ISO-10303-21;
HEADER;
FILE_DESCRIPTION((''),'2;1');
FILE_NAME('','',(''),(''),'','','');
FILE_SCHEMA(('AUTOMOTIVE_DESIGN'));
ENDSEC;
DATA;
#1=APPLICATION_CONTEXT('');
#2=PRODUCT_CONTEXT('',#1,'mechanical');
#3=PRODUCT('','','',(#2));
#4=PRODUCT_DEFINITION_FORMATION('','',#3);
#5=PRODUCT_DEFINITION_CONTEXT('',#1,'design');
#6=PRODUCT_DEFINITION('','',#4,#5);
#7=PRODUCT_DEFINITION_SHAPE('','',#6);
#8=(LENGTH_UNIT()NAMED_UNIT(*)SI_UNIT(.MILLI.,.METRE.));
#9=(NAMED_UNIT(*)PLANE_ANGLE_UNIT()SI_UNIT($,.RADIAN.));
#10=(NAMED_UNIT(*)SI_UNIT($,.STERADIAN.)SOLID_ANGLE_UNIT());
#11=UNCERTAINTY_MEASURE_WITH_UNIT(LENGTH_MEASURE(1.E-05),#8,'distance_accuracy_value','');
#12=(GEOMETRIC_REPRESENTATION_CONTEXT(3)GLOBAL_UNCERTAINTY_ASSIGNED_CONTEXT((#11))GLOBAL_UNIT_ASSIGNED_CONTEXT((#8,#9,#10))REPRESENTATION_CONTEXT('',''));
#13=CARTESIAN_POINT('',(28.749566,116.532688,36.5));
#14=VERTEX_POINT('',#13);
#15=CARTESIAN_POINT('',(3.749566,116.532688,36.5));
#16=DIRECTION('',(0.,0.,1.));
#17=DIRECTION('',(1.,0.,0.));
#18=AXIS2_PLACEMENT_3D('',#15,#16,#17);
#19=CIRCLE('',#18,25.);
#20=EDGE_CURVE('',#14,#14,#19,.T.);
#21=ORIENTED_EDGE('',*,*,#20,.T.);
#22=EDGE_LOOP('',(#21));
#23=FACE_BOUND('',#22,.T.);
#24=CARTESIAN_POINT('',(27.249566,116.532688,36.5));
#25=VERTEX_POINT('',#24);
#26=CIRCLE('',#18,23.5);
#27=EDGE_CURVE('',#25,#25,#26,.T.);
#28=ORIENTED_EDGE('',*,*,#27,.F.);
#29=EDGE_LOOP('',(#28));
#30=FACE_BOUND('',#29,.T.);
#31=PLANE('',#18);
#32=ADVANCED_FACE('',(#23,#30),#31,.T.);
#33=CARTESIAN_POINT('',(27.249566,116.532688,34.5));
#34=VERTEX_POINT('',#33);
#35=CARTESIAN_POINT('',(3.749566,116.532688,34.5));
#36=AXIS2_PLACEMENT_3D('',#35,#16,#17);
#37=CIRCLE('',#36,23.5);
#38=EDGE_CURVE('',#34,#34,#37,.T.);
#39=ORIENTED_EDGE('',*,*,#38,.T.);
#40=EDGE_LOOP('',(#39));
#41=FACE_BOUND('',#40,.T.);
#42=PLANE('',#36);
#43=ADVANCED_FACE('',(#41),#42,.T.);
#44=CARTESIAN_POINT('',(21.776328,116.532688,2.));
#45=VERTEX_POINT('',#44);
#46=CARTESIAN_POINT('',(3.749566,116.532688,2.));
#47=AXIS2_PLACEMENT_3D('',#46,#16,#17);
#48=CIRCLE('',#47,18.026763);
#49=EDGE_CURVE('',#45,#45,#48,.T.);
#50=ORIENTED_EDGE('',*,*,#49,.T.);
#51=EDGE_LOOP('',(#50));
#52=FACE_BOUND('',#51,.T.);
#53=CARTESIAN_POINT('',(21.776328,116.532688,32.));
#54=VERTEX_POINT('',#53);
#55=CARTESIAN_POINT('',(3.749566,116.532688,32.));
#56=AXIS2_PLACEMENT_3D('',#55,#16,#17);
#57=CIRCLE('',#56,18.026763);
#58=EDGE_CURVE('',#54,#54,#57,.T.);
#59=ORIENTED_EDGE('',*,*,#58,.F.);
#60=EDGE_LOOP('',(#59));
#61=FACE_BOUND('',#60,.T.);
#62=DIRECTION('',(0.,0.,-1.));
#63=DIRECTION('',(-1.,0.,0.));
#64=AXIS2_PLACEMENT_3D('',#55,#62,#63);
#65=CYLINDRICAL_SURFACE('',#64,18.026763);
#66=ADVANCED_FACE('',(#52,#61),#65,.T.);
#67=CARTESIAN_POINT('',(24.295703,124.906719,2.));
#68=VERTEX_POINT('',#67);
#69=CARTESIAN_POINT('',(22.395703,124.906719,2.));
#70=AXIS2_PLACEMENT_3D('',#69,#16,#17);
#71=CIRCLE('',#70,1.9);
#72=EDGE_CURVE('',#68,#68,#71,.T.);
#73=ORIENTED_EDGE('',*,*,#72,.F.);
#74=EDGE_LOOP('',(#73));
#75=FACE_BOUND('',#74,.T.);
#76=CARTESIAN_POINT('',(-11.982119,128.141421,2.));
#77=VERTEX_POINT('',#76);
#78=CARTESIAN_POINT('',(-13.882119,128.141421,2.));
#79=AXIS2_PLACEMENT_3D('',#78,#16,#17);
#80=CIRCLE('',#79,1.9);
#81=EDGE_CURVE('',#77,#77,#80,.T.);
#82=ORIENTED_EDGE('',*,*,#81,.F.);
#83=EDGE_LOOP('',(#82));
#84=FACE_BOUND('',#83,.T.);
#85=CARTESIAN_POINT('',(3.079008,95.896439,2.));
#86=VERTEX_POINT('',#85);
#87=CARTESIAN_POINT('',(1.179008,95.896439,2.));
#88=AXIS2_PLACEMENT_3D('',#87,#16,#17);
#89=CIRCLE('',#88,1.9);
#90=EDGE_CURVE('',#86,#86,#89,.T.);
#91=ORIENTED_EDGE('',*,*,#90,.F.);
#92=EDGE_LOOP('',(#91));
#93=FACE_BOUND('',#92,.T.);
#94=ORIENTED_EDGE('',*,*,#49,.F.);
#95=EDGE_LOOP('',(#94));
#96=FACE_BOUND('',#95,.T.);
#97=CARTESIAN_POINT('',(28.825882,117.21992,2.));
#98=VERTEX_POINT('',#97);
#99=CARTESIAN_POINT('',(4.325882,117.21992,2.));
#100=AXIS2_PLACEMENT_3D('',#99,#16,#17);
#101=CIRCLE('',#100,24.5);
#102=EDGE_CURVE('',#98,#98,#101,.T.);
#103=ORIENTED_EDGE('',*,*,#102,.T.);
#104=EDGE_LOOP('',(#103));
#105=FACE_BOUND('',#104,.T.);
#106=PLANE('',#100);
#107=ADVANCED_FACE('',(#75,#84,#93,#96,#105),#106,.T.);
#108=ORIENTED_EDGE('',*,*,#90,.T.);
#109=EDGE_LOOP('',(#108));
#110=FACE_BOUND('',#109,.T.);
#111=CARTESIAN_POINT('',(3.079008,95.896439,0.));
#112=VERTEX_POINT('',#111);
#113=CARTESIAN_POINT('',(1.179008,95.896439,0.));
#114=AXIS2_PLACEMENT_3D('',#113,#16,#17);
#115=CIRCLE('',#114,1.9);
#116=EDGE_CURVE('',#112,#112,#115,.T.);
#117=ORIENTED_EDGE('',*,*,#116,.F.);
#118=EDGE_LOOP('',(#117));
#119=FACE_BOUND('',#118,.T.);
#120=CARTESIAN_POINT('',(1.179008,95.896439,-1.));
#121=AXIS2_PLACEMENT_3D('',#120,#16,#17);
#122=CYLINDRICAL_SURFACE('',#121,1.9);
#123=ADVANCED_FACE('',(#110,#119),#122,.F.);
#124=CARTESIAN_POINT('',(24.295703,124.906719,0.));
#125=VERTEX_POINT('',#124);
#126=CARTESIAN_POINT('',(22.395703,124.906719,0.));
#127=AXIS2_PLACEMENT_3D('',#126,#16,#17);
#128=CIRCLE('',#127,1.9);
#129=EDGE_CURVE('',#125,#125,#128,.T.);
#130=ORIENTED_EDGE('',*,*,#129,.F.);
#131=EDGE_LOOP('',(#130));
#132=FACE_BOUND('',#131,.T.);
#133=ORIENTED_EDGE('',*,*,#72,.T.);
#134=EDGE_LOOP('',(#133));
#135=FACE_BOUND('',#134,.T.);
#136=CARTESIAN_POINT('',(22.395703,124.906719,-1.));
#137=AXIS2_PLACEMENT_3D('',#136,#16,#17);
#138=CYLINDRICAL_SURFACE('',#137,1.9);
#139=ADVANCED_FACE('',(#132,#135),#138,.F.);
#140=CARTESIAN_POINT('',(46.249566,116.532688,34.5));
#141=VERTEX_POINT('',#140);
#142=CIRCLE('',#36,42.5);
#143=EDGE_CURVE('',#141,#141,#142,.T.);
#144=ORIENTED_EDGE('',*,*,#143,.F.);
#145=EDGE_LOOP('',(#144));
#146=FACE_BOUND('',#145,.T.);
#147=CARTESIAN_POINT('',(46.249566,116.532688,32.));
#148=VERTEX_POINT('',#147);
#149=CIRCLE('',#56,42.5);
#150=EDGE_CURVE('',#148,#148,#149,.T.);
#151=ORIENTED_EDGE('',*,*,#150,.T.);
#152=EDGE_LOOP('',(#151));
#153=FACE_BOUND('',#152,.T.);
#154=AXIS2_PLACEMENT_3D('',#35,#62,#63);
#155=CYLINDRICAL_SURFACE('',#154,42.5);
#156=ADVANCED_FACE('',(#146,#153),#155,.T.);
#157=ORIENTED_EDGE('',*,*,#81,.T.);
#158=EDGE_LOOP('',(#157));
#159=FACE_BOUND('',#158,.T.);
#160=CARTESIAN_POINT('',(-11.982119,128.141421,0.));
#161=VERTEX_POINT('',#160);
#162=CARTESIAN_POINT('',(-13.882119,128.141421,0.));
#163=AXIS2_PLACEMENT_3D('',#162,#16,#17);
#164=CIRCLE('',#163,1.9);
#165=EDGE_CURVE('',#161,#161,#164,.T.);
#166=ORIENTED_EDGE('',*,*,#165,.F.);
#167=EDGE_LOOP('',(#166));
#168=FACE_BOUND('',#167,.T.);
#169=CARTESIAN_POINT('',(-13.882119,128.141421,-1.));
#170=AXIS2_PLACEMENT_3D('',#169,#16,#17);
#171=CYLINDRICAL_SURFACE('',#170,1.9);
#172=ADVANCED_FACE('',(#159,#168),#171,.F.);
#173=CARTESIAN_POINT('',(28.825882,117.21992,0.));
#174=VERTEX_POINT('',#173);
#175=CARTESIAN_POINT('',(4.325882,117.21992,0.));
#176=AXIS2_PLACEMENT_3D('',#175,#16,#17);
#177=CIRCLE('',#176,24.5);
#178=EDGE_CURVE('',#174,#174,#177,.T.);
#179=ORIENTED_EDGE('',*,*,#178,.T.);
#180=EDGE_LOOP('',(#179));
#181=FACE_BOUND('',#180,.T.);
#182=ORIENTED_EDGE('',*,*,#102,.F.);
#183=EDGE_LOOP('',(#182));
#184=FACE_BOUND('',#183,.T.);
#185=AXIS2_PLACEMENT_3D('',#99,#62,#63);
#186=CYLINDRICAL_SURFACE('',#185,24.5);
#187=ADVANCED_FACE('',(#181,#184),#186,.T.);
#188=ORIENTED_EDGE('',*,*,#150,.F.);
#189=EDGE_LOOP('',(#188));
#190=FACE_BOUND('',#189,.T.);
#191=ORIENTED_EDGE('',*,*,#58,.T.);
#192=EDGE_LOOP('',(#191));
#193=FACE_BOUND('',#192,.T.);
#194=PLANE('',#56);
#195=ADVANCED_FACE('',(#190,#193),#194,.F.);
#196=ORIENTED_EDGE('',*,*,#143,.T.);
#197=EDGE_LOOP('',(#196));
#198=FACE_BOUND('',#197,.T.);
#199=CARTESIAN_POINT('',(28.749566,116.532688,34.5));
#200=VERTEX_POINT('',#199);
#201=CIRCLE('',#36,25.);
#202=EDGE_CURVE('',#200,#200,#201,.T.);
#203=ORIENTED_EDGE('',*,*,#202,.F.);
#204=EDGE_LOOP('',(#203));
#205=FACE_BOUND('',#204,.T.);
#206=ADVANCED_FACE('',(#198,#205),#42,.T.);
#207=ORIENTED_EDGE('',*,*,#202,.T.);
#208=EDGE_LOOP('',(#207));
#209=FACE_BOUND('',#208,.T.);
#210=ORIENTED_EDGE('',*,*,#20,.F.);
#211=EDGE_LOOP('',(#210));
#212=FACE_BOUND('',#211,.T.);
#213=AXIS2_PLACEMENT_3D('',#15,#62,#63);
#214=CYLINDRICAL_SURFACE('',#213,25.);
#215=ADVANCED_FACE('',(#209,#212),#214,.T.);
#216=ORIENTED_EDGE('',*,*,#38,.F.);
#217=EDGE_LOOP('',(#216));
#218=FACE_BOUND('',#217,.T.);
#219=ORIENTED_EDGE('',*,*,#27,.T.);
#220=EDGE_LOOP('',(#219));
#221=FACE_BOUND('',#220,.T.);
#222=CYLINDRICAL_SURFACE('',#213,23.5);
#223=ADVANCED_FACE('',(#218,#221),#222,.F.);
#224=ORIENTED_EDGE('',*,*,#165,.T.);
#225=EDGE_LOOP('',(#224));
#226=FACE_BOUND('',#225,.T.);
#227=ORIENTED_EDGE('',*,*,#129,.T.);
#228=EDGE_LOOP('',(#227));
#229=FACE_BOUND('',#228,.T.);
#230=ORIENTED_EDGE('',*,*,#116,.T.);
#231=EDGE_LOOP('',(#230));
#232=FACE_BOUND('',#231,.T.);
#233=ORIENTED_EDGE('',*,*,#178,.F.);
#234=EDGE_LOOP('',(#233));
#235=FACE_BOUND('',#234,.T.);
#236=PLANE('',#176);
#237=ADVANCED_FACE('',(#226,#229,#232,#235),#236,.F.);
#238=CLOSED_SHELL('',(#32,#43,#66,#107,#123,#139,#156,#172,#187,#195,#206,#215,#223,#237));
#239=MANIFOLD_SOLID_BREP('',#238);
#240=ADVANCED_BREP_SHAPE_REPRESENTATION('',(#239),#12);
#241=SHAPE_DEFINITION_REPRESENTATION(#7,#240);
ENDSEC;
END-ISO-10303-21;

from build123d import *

# Parameters (mm, degrees)
SKETCH_1_R          = 24.5
EXTRUDE_3_DEPTH     = 2
SKETCH_3_R          = 1.9
CUT_EXTRUDE_1_DEPTH = 3
SKETCH_4_R          = 18.026762753
EXTRUDE_4_DEPTH     = 30
SKETCH_5_R          = 42.5
EXTRUDE_6_DEPTH     = 2.5
SKETCH_6_R          = 25
SKETCH_6_R_2        = 23.5
EXTRUDE_7_DEPTH     = 2


with BuildPart() as part:
    # 스케치1 → 보스-돌출3 (new body)
    with BuildSketch(Plane.XY):
        with Locations((4.325882057, 117.219920175)):
            Circle(SKETCH_1_R)
    extrude(amount=EXTRUDE_3_DEPTH)

    # 스케치3 → 컷-돌출1 (cut)
    with BuildSketch(Plane.XY.offset(2)):
        with Locations((1.179008368, 95.896439246)):
            Circle(SKETCH_3_R)
        with Locations((22.395703109, 124.906718796)):
            Circle(SKETCH_3_R)
        with Locations((-13.882118572, 128.141421182)):
            Circle(SKETCH_3_R)
    extrude(amount=-CUT_EXTRUDE_1_DEPTH, mode=Mode.SUBTRACT)

    # 스케치4 → 보스-돌출4 (add)
    with BuildSketch(Plane.XY.offset(2)):
        with Locations((3.749565529, 116.53268792)):
            Circle(SKETCH_4_R)
    extrude(amount=EXTRUDE_4_DEPTH)

    # 스케치5 → 보스-돌출6 (add)
    with BuildSketch(Plane.XY.offset(32)):
        with Locations((3.749565529, 116.53268792)):
            Circle(SKETCH_5_R)
    extrude(amount=EXTRUDE_6_DEPTH)

    # 스케치6 → 보스-돌출7 (add)
    with BuildSketch(Plane.XY.offset(34.5)):
        with Locations((3.749565529, 116.53268792)):
            Circle(SKETCH_6_R)
        with Locations((3.749565529, 116.53268792)):
            Circle(SKETCH_6_R_2, mode=Mode.SUBTRACT)
    extrude(amount=EXTRUDE_7_DEPTH)


solid = part.part
